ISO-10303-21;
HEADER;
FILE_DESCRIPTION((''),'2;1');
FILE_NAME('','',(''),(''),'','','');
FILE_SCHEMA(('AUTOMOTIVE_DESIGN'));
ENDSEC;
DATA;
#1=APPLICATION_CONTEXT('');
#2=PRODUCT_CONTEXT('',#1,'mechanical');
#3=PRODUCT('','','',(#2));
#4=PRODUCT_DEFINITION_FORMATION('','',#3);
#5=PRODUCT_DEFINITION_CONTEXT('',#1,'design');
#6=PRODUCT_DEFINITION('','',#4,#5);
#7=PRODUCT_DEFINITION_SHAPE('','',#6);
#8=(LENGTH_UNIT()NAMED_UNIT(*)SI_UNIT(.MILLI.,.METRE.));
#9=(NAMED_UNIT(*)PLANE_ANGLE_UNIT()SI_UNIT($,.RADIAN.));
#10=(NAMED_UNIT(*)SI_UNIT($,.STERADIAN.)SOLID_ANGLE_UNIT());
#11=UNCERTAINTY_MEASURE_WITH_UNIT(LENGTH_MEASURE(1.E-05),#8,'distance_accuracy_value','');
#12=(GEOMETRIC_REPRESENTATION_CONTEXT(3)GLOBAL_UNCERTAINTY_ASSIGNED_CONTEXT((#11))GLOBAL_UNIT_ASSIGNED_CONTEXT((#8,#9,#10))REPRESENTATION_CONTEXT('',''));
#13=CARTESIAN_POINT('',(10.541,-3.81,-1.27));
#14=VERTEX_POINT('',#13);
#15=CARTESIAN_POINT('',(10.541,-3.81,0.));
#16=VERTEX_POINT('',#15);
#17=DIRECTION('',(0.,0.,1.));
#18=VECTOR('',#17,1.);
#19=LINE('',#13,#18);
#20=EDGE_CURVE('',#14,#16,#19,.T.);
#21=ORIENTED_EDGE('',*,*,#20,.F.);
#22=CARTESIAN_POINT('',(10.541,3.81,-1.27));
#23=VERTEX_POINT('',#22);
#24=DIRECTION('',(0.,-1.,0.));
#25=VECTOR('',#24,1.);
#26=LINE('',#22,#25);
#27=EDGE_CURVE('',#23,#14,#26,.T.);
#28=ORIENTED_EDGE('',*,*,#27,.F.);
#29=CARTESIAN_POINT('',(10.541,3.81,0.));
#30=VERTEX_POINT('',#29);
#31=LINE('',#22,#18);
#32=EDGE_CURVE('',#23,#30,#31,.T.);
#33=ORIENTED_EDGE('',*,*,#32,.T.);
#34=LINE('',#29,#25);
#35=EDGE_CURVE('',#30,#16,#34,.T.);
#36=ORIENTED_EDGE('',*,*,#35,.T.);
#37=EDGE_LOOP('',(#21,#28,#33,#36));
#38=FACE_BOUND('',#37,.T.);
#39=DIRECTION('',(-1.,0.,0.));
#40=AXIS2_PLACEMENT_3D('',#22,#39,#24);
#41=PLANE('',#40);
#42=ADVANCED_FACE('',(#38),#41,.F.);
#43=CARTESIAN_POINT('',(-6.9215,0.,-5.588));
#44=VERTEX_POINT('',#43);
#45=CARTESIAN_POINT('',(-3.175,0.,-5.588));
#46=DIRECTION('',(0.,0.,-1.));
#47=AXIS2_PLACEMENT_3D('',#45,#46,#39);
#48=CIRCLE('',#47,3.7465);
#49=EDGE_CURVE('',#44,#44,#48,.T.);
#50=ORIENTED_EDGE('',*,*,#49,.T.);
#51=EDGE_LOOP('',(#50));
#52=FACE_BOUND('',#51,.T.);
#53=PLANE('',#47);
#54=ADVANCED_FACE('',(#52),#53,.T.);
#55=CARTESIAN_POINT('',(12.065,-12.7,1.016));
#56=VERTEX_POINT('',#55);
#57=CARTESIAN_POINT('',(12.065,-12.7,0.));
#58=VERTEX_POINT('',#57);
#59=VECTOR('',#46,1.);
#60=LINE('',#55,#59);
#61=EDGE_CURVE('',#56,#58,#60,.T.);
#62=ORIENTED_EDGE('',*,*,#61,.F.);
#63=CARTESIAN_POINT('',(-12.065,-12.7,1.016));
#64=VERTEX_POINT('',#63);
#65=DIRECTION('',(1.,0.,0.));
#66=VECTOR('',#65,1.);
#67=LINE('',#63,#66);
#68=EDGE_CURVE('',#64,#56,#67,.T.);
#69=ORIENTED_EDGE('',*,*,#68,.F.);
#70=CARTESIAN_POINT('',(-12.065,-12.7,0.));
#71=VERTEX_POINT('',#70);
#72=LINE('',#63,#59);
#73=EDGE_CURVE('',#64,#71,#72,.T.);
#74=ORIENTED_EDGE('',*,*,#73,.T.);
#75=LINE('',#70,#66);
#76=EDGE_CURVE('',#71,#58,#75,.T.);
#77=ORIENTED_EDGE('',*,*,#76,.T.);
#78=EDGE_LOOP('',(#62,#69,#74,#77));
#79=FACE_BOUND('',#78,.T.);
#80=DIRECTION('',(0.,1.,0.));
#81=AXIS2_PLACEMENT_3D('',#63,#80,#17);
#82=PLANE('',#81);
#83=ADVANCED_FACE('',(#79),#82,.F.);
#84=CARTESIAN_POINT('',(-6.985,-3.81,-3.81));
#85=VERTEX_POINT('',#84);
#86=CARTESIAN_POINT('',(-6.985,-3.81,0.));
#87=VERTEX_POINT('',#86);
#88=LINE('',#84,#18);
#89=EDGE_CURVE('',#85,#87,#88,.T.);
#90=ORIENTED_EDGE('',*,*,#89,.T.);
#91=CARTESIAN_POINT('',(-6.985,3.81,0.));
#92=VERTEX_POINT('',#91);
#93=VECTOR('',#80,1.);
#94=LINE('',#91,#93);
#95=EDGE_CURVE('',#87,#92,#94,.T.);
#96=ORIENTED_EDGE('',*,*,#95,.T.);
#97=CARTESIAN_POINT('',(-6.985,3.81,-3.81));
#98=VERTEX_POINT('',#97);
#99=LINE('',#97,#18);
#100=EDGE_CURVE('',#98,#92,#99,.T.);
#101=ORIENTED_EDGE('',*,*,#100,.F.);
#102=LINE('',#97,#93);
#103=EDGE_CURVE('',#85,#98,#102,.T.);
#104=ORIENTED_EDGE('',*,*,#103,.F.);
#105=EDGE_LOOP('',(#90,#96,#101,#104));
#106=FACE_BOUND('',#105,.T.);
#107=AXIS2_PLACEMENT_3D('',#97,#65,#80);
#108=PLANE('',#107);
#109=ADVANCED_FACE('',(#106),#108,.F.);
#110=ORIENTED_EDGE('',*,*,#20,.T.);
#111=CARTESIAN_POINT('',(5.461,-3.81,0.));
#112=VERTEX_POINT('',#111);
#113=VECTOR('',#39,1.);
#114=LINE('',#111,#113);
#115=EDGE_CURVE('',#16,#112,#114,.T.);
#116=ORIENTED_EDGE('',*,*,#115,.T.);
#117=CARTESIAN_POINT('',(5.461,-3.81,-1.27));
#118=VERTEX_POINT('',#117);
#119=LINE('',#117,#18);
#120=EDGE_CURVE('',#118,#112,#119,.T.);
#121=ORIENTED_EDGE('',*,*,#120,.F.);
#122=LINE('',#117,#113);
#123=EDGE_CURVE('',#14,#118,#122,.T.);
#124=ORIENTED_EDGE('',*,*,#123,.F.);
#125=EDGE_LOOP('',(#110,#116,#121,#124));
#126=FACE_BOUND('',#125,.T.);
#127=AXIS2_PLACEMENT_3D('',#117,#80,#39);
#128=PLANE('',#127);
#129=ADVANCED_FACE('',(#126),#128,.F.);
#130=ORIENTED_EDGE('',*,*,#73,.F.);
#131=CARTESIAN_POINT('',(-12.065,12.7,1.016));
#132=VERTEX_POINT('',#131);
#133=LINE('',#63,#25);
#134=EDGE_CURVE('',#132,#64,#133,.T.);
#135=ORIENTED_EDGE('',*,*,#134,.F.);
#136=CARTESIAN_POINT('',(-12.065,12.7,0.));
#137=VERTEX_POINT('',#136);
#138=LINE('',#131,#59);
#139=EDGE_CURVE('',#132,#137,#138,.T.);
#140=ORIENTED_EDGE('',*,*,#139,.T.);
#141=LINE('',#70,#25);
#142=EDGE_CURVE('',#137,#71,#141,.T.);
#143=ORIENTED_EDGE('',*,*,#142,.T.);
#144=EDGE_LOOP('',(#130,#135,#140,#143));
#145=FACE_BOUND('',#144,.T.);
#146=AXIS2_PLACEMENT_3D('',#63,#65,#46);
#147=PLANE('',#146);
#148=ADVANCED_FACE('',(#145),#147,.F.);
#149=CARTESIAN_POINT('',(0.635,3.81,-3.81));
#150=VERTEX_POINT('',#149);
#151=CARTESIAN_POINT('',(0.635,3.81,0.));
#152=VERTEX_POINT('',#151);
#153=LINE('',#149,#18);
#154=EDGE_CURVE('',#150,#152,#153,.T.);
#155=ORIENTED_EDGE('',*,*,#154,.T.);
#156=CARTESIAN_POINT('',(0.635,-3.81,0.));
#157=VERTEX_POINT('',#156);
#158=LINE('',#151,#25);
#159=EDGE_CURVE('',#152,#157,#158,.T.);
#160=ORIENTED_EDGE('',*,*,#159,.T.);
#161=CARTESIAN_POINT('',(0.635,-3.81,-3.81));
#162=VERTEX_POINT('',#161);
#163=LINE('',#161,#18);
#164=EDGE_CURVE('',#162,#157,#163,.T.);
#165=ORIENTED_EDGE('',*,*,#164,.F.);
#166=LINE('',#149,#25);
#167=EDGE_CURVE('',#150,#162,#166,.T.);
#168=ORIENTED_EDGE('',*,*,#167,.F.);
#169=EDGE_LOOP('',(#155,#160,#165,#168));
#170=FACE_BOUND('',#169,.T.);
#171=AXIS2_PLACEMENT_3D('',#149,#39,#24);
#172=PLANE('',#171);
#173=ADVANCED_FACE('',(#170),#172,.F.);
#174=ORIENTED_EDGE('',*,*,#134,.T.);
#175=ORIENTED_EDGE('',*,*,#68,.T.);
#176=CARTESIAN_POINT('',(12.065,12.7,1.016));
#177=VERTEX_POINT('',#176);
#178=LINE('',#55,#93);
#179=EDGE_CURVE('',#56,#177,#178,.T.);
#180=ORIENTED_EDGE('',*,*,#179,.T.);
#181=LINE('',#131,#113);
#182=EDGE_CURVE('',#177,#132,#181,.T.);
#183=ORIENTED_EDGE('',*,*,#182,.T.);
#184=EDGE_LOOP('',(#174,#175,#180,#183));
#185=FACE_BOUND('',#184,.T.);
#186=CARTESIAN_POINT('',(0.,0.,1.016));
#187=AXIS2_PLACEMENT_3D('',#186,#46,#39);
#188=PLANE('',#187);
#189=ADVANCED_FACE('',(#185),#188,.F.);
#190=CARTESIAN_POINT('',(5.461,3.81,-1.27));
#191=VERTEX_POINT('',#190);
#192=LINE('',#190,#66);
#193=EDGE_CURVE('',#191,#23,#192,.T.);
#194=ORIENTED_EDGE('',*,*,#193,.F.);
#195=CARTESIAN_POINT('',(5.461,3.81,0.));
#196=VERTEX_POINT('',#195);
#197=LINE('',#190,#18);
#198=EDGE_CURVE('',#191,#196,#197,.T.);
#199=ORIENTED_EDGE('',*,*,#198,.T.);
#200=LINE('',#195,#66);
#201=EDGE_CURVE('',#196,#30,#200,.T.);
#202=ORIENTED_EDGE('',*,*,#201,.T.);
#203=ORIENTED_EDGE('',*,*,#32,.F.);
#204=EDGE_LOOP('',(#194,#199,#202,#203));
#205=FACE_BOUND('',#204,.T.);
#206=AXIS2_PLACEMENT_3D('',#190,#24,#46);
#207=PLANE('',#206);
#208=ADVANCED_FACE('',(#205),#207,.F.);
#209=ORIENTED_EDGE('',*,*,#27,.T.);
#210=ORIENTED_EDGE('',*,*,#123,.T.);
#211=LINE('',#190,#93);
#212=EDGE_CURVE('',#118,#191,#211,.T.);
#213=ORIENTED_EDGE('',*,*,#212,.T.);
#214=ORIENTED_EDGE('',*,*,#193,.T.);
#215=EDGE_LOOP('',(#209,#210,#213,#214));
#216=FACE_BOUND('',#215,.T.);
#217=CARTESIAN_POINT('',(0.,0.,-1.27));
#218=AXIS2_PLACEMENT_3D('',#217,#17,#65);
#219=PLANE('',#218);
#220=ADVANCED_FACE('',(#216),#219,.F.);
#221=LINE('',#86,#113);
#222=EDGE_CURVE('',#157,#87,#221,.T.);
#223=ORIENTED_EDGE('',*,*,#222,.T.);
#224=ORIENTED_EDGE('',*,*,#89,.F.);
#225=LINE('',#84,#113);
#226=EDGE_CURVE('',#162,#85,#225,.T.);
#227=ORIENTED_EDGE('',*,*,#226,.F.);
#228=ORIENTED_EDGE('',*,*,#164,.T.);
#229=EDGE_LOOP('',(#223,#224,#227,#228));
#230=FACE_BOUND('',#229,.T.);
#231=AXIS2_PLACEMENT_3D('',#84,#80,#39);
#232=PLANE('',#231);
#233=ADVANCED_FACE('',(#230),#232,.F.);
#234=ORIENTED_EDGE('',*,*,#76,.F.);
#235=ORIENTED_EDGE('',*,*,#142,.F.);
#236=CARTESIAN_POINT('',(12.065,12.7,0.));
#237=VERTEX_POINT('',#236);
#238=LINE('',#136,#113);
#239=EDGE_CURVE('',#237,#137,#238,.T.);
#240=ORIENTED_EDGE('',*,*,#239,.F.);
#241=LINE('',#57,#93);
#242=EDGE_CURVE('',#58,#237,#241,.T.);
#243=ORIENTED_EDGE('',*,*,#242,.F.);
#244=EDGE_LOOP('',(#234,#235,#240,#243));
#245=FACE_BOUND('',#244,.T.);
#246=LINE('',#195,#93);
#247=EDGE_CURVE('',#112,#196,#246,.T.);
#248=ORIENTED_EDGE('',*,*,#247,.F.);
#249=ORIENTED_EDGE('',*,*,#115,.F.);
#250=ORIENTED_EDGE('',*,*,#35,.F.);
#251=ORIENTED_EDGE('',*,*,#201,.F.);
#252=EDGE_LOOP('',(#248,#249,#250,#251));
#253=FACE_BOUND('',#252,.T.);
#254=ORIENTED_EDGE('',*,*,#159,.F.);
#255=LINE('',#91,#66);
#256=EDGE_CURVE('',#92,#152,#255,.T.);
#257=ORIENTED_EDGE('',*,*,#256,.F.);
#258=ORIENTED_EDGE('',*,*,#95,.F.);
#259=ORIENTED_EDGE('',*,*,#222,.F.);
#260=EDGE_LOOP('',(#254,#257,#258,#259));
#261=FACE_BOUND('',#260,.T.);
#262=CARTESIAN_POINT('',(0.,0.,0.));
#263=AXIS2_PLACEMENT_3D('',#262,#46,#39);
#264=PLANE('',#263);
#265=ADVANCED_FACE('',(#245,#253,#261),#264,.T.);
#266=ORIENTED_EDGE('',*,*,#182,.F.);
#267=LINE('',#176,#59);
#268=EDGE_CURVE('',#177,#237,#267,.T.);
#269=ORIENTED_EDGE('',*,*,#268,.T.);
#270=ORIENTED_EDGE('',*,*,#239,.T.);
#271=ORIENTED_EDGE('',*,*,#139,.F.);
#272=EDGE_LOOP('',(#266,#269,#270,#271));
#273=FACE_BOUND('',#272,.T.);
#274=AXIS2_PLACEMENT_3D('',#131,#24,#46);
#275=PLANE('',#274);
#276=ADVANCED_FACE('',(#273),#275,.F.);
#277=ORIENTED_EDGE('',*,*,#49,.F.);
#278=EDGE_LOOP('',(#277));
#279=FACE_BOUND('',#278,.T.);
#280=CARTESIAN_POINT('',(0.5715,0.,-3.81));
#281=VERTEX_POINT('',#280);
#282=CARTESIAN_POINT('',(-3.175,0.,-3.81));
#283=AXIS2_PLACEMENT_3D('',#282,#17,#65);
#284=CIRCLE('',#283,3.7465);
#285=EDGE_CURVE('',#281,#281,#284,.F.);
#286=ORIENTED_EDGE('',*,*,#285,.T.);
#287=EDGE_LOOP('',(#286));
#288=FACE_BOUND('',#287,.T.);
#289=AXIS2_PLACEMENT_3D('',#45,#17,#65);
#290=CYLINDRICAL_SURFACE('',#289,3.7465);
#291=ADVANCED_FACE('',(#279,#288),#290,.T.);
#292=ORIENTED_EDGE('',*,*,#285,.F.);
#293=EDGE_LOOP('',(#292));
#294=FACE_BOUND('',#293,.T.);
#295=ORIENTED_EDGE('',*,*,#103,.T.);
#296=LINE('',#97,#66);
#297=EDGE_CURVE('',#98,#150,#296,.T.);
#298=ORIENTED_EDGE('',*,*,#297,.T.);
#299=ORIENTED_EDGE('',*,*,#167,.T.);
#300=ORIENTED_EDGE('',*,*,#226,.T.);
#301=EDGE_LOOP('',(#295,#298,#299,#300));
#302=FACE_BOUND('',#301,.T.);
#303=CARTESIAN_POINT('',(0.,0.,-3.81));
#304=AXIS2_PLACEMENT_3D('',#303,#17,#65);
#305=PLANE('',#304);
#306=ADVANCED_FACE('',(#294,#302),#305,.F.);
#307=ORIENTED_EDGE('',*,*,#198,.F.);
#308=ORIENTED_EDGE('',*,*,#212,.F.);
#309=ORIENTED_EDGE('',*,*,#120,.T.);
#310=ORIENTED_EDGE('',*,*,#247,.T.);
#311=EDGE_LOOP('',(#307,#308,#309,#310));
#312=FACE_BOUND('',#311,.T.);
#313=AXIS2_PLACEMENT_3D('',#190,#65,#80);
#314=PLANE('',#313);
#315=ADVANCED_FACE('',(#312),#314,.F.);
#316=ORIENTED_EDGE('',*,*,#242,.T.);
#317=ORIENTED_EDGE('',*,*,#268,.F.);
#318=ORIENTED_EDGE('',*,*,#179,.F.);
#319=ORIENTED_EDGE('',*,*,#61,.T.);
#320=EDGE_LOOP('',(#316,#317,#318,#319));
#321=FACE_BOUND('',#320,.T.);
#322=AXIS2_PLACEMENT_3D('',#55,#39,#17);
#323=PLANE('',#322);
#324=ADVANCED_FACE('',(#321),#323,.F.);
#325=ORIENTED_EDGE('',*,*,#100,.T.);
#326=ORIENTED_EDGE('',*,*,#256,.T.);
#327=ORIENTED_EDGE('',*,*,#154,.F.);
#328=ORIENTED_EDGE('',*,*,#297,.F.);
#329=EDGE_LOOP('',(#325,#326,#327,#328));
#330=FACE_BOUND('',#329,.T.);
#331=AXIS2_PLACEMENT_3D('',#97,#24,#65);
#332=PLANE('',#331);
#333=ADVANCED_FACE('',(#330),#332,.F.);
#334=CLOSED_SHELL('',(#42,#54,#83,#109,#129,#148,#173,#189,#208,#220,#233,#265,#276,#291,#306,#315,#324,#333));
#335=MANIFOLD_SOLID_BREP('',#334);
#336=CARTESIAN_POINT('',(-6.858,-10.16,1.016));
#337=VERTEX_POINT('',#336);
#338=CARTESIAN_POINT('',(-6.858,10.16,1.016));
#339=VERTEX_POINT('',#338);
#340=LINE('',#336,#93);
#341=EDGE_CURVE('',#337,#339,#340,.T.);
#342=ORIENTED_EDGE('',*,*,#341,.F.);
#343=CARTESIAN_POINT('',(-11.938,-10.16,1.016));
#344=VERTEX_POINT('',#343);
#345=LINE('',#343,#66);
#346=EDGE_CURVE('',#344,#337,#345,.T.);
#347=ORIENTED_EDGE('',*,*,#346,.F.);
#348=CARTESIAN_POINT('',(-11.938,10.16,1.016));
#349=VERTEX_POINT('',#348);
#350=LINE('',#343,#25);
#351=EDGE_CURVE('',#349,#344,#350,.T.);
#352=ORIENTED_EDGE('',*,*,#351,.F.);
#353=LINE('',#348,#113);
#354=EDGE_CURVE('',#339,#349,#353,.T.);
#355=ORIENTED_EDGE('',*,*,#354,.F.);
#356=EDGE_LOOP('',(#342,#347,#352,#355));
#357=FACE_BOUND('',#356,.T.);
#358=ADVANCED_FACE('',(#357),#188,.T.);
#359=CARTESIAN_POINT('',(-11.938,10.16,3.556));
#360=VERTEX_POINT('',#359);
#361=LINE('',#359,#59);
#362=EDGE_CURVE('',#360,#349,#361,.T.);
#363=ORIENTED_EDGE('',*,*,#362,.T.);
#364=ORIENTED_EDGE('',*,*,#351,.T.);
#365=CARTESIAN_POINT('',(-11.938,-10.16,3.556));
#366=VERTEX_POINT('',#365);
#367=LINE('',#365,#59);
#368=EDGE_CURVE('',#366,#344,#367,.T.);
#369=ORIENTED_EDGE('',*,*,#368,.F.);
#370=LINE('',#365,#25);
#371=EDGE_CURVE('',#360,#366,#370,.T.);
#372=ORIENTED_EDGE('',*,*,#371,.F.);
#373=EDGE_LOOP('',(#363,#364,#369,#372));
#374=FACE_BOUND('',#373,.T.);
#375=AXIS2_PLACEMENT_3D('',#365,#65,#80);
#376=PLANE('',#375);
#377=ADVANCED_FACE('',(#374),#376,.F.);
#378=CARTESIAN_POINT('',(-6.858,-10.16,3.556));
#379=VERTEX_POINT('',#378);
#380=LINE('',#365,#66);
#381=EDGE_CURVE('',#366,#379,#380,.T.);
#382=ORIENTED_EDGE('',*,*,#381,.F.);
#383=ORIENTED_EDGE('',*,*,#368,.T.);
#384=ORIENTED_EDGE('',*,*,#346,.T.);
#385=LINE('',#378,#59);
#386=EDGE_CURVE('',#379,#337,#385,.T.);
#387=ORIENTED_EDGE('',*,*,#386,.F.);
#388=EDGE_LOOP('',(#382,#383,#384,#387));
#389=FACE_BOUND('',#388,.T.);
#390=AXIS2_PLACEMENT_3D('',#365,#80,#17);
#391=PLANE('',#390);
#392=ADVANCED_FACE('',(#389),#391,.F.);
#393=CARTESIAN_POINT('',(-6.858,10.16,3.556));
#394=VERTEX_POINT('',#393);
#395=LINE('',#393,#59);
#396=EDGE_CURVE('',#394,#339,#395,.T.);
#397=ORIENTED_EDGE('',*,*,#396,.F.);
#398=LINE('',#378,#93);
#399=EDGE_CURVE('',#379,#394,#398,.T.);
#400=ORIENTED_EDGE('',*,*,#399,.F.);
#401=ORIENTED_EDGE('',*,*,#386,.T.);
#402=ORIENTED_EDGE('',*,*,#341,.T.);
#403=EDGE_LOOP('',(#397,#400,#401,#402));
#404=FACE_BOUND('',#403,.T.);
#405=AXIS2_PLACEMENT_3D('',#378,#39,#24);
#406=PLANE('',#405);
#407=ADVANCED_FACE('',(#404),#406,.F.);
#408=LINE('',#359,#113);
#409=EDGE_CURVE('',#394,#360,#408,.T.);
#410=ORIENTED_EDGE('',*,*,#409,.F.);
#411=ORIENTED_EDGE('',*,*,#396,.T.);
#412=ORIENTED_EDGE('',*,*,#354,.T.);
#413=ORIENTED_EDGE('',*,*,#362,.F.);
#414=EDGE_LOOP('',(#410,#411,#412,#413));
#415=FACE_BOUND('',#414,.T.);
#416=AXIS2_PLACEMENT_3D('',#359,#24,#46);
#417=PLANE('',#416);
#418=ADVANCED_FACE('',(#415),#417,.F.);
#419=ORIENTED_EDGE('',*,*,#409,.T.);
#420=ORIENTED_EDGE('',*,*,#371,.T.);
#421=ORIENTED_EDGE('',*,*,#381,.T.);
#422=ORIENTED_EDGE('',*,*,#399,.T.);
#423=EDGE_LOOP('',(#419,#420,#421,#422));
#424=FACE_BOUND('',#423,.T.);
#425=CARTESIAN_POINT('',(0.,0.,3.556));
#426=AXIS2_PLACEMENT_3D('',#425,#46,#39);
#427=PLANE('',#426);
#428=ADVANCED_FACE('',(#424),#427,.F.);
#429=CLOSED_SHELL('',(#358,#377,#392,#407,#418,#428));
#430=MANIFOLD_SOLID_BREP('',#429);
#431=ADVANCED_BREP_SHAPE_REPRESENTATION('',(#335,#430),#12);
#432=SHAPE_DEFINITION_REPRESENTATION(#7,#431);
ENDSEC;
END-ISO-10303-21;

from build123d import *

# Parameters (mm, degrees)
SKETCH1_W           = 24.13
SKETCH1_H           = 25.4
BOSS_EXTRUDE1_DEPTH = 1.016
SKETCH2_W           = 5.08
SKETCH2_H           = 20.32
BOSS_EXTRUDE2_DEPTH = 2.54
SKETCH3_W           = 7.62
SKETCH3_H           = 7.62
BOSS_EXTRUDE3_DEPTH = 3.81
SKETCH5_R           = 3.7465
BOSS_EXTRUDE4_DEPTH = 1.778
SKETCH6_W           = 5.08
SKETCH6_H           = 7.62
BOSS_EXTRUDE5_DEPTH = 1.27


with BuildPart() as part:
    # Sketch1 → Boss-Extrude1 (new body)
    with BuildSketch(Plane.XY):
        Rectangle(SKETCH1_W, SKETCH1_H)
    extrude(amount=BOSS_EXTRUDE1_DEPTH)

    # Sketch3 → Boss-Extrude3 (add)
    with BuildSketch(Plane(origin=(0, 0, 0), x_dir=(-1, 0, 0), z_dir=(0, 0, -1))):
        with Locations((3.175, 0)):
            Rectangle(SKETCH3_W, SKETCH3_H)
    extrude(amount=BOSS_EXTRUDE3_DEPTH)

    # Sketch5 → Boss-Extrude4 (add)
    with BuildSketch(Plane(origin=(0, 0, -3.81), x_dir=(-1, 0, 0), z_dir=(0, 0, -1))):
        with Locations((3.175, 0)):
            Circle(SKETCH5_R)
    extrude(amount=BOSS_EXTRUDE4_DEPTH)

    # Sketch6 → Boss-Extrude5 (add)
    with BuildSketch(Plane(origin=(0, 0, 0), x_dir=(-1, 0, 0), z_dir=(0, 0, -1))):
        with Locations((-8.001, 0)):
            Rectangle(SKETCH6_W, SKETCH6_H)
    extrude(amount=BOSS_EXTRUDE5_DEPTH)


with BuildPart() as body_2:
    # Sketch2 → Boss-Extrude2 (new body)
    with BuildSketch(Plane.XY.offset(1.016)):
        with Locations((-9.398, 0)):
            Rectangle(SKETCH2_W, SKETCH2_H)
    extrude(amount=BOSS_EXTRUDE2_DEPTH)


solid = Compound([part.part, body_2.part])
